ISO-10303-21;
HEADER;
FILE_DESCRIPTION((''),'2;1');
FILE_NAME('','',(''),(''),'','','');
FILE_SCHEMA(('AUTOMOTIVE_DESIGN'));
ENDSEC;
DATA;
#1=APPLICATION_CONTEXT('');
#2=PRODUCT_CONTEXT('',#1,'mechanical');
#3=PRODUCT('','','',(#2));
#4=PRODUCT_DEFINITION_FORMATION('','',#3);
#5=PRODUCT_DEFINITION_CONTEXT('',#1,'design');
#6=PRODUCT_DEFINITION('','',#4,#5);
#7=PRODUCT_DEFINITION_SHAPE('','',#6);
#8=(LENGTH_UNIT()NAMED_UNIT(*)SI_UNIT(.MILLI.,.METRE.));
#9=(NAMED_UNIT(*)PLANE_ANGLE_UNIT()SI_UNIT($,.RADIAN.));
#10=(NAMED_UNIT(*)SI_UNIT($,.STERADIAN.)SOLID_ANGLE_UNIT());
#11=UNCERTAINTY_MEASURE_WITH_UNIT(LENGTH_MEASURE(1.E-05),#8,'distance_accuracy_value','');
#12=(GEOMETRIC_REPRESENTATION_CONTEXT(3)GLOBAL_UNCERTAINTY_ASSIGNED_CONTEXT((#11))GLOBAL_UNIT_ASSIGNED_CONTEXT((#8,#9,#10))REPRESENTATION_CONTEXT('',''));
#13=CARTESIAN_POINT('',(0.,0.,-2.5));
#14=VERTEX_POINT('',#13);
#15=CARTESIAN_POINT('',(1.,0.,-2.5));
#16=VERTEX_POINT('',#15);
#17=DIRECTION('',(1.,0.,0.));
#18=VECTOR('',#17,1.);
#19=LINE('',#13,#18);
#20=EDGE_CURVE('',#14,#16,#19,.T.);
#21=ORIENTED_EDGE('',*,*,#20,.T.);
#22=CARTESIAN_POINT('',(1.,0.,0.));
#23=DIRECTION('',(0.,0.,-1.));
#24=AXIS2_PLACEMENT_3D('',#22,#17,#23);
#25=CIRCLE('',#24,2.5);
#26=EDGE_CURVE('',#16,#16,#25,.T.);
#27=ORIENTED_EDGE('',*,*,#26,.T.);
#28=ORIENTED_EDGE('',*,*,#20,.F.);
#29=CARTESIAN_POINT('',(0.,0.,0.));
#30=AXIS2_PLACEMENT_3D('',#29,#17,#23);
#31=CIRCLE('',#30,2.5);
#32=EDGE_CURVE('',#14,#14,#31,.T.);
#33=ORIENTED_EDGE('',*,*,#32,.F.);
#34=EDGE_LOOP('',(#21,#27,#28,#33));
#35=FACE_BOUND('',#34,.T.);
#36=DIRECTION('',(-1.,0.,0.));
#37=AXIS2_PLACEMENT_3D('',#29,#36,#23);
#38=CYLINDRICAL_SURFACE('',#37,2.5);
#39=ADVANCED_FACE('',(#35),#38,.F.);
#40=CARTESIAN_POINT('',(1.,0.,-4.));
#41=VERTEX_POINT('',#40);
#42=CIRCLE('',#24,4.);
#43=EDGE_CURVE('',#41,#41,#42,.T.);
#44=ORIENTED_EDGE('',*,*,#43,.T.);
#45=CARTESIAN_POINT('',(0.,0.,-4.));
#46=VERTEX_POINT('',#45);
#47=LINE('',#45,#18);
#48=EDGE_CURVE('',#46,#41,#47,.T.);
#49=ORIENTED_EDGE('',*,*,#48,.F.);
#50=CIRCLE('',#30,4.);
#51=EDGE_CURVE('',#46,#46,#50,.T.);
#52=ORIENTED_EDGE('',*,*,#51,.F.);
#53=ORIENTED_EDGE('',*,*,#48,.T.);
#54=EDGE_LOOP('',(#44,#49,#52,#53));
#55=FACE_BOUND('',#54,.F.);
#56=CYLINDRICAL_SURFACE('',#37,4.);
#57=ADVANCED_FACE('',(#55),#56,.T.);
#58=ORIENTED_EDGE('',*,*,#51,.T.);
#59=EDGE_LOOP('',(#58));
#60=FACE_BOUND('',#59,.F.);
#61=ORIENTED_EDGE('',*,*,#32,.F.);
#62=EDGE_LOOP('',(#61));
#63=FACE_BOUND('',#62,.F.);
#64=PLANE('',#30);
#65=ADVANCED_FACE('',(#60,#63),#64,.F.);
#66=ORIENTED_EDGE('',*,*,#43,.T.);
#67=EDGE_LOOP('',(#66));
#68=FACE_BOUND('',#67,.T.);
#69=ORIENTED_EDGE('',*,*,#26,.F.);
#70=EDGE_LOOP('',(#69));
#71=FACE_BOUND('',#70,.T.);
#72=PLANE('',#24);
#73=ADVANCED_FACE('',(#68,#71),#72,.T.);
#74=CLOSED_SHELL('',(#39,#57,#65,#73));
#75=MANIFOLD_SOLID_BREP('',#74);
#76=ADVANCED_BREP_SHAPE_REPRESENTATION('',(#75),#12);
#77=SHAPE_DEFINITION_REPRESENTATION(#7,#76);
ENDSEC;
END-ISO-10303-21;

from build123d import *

# Parameters (mm, degrees)
SKETCH1_R           = 4
SKETCH1_R_2         = 2.5
BOSS_EXTRUDE1_DEPTH = 1


with BuildPart() as part:
    # Sketch1 → Boss-Extrude1 (new body)
    with BuildSketch(Plane(origin=(0, 0, 0), x_dir=(0, 0, -1), z_dir=(1, 0, 0))):
        Circle(SKETCH1_R)
        Circle(SKETCH1_R_2, mode=Mode.SUBTRACT)
    extrude(amount=BOSS_EXTRUDE1_DEPTH)


solid = part.part
